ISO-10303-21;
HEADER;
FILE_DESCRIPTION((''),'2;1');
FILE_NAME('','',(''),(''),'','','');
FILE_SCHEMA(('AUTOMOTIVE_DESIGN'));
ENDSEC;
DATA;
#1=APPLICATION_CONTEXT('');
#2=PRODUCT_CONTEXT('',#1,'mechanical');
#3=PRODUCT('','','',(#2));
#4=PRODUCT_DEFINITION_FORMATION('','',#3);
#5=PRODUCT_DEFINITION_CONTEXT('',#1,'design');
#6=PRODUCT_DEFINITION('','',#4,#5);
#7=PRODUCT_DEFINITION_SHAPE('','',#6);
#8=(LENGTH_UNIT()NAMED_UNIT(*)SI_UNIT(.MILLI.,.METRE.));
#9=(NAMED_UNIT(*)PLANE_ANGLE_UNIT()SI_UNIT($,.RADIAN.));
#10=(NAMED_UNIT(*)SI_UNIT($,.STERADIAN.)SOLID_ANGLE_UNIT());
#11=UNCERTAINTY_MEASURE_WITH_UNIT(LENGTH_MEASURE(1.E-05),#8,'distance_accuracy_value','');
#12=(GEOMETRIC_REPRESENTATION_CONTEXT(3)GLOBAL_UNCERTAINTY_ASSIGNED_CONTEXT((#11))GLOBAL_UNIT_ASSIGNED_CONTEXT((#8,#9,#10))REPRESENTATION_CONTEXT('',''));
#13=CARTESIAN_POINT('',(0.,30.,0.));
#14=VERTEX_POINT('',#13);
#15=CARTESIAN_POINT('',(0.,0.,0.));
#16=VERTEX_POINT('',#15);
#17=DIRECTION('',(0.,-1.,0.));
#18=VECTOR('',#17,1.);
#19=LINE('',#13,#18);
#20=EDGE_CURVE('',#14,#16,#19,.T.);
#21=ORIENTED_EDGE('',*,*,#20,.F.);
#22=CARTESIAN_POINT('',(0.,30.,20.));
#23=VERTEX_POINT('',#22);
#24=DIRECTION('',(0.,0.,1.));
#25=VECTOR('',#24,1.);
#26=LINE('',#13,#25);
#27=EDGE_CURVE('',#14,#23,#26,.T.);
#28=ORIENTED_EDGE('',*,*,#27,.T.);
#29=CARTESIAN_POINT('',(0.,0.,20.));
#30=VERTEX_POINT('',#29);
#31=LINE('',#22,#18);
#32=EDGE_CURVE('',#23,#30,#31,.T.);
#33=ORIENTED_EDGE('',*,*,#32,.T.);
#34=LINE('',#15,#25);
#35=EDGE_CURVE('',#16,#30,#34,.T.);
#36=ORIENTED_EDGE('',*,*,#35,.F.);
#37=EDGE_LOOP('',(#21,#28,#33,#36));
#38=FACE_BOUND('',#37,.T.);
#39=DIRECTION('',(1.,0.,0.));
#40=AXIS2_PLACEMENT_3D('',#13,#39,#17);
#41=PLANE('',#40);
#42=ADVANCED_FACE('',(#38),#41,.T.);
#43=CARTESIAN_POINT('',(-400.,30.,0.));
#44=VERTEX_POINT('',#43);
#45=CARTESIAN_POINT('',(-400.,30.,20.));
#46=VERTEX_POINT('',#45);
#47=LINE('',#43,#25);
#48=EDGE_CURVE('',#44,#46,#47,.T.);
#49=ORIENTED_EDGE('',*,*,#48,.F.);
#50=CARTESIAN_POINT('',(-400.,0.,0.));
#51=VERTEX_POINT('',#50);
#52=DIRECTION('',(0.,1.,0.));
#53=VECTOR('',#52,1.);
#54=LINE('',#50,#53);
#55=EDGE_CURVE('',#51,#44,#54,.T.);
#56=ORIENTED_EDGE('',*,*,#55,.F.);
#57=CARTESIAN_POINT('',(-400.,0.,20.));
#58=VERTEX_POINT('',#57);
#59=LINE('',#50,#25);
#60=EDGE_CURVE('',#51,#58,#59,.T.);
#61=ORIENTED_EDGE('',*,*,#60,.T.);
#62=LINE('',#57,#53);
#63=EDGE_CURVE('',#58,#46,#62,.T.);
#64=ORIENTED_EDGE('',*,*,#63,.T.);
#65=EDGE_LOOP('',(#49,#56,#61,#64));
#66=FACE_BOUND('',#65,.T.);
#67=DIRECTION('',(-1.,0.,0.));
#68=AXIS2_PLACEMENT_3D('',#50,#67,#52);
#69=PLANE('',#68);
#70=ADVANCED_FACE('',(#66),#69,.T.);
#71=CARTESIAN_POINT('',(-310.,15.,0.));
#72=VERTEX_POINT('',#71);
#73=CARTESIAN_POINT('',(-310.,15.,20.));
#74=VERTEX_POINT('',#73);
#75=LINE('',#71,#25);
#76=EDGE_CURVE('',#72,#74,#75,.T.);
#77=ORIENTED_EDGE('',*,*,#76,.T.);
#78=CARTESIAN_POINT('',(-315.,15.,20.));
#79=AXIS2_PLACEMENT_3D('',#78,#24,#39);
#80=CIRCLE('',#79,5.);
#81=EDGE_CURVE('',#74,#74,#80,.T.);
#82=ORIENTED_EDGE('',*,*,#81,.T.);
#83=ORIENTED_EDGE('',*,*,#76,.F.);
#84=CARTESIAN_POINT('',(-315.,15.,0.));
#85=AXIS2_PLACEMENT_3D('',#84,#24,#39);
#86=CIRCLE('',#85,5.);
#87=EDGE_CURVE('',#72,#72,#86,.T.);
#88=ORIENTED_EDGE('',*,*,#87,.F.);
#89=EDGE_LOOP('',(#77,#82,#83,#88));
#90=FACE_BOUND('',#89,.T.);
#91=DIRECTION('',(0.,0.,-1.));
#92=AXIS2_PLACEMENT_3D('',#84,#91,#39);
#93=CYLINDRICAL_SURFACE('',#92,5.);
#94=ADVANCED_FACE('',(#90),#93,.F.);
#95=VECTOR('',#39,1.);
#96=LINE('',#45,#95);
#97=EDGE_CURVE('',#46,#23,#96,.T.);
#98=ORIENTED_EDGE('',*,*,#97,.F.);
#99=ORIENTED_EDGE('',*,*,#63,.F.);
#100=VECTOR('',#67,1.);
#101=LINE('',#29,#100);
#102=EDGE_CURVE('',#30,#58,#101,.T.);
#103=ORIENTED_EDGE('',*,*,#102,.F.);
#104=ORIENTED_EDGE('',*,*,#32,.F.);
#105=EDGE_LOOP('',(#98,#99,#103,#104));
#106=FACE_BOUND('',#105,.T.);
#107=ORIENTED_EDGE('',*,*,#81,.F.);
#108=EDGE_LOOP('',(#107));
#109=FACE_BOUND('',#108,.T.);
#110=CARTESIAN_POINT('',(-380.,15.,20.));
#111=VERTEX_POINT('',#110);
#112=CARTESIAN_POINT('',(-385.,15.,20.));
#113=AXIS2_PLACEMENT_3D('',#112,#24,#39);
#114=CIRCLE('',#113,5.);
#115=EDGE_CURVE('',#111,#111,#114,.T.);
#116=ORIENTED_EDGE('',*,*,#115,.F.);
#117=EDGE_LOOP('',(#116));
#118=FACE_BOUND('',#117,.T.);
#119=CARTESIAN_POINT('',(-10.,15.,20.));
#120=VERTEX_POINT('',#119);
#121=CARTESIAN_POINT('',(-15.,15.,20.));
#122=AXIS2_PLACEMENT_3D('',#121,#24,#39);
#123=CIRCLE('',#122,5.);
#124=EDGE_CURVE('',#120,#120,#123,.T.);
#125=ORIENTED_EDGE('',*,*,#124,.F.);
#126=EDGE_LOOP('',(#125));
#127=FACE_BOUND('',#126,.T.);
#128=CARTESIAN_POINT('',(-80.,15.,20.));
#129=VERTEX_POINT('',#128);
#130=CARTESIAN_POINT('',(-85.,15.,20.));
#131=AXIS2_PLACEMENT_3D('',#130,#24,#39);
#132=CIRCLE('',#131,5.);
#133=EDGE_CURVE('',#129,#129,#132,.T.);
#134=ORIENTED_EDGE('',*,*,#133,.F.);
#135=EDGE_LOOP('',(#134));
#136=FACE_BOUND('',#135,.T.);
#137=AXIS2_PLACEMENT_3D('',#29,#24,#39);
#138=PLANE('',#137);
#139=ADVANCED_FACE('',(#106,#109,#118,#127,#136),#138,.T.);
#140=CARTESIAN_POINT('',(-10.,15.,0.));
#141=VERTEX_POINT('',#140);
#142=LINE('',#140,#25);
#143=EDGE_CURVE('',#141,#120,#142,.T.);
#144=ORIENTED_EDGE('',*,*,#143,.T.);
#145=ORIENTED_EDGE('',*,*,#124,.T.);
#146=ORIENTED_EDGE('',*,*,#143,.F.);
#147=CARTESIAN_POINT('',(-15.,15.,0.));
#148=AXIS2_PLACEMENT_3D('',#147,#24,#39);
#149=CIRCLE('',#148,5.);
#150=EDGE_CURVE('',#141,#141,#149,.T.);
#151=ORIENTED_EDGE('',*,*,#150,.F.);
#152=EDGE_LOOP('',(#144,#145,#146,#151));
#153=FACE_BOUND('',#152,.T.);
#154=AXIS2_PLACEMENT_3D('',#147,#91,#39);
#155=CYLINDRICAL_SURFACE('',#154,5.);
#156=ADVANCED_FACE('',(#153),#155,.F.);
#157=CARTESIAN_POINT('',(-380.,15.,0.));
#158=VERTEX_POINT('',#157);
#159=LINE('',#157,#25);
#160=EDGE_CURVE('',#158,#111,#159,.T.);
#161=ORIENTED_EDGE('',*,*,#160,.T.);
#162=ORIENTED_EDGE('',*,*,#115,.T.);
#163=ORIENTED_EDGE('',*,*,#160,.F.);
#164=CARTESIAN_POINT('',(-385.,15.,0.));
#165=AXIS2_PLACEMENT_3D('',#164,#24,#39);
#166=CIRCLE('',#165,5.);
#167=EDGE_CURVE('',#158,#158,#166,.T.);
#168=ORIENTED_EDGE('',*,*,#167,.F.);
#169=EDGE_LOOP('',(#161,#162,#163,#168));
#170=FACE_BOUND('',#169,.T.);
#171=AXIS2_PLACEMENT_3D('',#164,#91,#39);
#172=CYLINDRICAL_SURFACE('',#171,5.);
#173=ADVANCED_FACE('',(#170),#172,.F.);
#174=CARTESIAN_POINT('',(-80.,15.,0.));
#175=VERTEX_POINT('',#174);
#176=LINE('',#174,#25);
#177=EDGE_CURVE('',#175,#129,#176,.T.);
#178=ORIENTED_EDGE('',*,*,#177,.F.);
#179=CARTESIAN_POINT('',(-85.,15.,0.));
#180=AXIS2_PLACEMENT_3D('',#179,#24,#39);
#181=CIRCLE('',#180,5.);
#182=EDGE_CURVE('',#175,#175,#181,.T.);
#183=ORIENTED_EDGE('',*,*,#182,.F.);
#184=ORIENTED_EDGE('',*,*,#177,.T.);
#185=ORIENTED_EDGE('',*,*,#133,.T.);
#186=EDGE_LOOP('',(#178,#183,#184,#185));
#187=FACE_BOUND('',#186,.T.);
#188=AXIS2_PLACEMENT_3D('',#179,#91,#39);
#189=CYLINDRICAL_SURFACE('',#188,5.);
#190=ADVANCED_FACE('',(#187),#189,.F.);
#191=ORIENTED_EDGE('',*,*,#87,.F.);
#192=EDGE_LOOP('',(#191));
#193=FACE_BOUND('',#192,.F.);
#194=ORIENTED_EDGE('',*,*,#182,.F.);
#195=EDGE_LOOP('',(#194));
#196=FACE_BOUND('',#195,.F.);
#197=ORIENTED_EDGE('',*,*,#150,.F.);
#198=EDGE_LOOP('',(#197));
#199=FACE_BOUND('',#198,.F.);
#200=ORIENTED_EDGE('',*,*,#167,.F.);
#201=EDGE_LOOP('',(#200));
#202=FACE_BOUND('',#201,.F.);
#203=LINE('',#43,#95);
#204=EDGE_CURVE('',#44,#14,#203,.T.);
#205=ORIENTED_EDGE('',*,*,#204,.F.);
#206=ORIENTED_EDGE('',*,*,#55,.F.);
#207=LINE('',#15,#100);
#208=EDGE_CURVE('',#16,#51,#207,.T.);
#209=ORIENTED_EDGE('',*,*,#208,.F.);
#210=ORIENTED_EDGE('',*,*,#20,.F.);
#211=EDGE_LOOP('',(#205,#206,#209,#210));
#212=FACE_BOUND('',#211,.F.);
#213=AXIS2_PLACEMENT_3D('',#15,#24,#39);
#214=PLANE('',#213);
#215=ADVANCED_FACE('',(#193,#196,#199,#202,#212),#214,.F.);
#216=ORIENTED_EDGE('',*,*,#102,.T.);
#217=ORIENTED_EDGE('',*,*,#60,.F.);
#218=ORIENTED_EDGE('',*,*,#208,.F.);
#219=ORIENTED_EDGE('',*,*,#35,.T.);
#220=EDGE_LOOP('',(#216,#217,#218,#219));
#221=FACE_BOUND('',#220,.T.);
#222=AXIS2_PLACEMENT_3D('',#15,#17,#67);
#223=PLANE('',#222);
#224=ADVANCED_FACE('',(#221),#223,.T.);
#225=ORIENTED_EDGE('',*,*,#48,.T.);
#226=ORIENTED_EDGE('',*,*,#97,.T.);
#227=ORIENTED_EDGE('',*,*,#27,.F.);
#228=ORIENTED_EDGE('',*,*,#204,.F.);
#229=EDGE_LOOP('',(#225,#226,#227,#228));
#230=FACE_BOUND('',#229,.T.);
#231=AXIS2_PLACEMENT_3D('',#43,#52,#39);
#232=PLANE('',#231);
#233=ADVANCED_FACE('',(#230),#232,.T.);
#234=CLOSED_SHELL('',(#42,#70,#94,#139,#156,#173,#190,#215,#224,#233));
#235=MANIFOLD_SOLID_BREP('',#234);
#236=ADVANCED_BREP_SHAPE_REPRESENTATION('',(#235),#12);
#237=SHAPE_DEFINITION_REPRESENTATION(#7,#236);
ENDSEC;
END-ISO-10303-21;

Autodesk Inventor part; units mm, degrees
ref_plane "YZ Plane" through (0, 0, 0) normal (1, 0, 0) x (0, 1, 0)
ref_plane "XZ Plane" through (0, 0, 0) normal (0, 1, 0) x (-1, 0, 0)
ref_plane "XY Plane" through (0, 0, 0) normal (0, 0, 1) x (1, 0, 0)
sketch "Sketch1" plane through (0, 0, 0) normal (0, 0, 1) x (1, 0, 0)
  line L0 (0, 0) -> (-400, 0)
  line L1 (-400, 0) -> (-400, 30)
  line L2 (-400, 30) -> (0, 30)
  line L3 (0, 30) -> (0, 0)
  circle A0 centre (-15, 15) radius 5
  circle A1 centre (-85, 15) radius 5
  circle A2 centre (-315, 15) radius 5
  circle A3 centre (-385, 15) radius 5
  dimension "d0" = 400
  dimension "d1" = 30
  dimension "d2" = 10
  dimension "d3" = 10
  dimension "d4" = 10
  dimension "d5" = 10
  dimension "d6" = 15
  dimension "d7" = 15
  dimension "d8" = 15
  dimension "d9" = 70
  dimension "d10" = 15
  dimension "d11" = 15
  dimension "d12" = 70
  dimension "d13" = 15
sketch "Sketch2" plane through (0, 0, 0) normal (0, 0, 1) x (1, 0, 0)
  point P0 (0, 0)
extrude "Extrusion1" add sketch "Sketch1" along normal blind 20
properties part number "seatButtSidePlate" material "Wood (Birch)"
